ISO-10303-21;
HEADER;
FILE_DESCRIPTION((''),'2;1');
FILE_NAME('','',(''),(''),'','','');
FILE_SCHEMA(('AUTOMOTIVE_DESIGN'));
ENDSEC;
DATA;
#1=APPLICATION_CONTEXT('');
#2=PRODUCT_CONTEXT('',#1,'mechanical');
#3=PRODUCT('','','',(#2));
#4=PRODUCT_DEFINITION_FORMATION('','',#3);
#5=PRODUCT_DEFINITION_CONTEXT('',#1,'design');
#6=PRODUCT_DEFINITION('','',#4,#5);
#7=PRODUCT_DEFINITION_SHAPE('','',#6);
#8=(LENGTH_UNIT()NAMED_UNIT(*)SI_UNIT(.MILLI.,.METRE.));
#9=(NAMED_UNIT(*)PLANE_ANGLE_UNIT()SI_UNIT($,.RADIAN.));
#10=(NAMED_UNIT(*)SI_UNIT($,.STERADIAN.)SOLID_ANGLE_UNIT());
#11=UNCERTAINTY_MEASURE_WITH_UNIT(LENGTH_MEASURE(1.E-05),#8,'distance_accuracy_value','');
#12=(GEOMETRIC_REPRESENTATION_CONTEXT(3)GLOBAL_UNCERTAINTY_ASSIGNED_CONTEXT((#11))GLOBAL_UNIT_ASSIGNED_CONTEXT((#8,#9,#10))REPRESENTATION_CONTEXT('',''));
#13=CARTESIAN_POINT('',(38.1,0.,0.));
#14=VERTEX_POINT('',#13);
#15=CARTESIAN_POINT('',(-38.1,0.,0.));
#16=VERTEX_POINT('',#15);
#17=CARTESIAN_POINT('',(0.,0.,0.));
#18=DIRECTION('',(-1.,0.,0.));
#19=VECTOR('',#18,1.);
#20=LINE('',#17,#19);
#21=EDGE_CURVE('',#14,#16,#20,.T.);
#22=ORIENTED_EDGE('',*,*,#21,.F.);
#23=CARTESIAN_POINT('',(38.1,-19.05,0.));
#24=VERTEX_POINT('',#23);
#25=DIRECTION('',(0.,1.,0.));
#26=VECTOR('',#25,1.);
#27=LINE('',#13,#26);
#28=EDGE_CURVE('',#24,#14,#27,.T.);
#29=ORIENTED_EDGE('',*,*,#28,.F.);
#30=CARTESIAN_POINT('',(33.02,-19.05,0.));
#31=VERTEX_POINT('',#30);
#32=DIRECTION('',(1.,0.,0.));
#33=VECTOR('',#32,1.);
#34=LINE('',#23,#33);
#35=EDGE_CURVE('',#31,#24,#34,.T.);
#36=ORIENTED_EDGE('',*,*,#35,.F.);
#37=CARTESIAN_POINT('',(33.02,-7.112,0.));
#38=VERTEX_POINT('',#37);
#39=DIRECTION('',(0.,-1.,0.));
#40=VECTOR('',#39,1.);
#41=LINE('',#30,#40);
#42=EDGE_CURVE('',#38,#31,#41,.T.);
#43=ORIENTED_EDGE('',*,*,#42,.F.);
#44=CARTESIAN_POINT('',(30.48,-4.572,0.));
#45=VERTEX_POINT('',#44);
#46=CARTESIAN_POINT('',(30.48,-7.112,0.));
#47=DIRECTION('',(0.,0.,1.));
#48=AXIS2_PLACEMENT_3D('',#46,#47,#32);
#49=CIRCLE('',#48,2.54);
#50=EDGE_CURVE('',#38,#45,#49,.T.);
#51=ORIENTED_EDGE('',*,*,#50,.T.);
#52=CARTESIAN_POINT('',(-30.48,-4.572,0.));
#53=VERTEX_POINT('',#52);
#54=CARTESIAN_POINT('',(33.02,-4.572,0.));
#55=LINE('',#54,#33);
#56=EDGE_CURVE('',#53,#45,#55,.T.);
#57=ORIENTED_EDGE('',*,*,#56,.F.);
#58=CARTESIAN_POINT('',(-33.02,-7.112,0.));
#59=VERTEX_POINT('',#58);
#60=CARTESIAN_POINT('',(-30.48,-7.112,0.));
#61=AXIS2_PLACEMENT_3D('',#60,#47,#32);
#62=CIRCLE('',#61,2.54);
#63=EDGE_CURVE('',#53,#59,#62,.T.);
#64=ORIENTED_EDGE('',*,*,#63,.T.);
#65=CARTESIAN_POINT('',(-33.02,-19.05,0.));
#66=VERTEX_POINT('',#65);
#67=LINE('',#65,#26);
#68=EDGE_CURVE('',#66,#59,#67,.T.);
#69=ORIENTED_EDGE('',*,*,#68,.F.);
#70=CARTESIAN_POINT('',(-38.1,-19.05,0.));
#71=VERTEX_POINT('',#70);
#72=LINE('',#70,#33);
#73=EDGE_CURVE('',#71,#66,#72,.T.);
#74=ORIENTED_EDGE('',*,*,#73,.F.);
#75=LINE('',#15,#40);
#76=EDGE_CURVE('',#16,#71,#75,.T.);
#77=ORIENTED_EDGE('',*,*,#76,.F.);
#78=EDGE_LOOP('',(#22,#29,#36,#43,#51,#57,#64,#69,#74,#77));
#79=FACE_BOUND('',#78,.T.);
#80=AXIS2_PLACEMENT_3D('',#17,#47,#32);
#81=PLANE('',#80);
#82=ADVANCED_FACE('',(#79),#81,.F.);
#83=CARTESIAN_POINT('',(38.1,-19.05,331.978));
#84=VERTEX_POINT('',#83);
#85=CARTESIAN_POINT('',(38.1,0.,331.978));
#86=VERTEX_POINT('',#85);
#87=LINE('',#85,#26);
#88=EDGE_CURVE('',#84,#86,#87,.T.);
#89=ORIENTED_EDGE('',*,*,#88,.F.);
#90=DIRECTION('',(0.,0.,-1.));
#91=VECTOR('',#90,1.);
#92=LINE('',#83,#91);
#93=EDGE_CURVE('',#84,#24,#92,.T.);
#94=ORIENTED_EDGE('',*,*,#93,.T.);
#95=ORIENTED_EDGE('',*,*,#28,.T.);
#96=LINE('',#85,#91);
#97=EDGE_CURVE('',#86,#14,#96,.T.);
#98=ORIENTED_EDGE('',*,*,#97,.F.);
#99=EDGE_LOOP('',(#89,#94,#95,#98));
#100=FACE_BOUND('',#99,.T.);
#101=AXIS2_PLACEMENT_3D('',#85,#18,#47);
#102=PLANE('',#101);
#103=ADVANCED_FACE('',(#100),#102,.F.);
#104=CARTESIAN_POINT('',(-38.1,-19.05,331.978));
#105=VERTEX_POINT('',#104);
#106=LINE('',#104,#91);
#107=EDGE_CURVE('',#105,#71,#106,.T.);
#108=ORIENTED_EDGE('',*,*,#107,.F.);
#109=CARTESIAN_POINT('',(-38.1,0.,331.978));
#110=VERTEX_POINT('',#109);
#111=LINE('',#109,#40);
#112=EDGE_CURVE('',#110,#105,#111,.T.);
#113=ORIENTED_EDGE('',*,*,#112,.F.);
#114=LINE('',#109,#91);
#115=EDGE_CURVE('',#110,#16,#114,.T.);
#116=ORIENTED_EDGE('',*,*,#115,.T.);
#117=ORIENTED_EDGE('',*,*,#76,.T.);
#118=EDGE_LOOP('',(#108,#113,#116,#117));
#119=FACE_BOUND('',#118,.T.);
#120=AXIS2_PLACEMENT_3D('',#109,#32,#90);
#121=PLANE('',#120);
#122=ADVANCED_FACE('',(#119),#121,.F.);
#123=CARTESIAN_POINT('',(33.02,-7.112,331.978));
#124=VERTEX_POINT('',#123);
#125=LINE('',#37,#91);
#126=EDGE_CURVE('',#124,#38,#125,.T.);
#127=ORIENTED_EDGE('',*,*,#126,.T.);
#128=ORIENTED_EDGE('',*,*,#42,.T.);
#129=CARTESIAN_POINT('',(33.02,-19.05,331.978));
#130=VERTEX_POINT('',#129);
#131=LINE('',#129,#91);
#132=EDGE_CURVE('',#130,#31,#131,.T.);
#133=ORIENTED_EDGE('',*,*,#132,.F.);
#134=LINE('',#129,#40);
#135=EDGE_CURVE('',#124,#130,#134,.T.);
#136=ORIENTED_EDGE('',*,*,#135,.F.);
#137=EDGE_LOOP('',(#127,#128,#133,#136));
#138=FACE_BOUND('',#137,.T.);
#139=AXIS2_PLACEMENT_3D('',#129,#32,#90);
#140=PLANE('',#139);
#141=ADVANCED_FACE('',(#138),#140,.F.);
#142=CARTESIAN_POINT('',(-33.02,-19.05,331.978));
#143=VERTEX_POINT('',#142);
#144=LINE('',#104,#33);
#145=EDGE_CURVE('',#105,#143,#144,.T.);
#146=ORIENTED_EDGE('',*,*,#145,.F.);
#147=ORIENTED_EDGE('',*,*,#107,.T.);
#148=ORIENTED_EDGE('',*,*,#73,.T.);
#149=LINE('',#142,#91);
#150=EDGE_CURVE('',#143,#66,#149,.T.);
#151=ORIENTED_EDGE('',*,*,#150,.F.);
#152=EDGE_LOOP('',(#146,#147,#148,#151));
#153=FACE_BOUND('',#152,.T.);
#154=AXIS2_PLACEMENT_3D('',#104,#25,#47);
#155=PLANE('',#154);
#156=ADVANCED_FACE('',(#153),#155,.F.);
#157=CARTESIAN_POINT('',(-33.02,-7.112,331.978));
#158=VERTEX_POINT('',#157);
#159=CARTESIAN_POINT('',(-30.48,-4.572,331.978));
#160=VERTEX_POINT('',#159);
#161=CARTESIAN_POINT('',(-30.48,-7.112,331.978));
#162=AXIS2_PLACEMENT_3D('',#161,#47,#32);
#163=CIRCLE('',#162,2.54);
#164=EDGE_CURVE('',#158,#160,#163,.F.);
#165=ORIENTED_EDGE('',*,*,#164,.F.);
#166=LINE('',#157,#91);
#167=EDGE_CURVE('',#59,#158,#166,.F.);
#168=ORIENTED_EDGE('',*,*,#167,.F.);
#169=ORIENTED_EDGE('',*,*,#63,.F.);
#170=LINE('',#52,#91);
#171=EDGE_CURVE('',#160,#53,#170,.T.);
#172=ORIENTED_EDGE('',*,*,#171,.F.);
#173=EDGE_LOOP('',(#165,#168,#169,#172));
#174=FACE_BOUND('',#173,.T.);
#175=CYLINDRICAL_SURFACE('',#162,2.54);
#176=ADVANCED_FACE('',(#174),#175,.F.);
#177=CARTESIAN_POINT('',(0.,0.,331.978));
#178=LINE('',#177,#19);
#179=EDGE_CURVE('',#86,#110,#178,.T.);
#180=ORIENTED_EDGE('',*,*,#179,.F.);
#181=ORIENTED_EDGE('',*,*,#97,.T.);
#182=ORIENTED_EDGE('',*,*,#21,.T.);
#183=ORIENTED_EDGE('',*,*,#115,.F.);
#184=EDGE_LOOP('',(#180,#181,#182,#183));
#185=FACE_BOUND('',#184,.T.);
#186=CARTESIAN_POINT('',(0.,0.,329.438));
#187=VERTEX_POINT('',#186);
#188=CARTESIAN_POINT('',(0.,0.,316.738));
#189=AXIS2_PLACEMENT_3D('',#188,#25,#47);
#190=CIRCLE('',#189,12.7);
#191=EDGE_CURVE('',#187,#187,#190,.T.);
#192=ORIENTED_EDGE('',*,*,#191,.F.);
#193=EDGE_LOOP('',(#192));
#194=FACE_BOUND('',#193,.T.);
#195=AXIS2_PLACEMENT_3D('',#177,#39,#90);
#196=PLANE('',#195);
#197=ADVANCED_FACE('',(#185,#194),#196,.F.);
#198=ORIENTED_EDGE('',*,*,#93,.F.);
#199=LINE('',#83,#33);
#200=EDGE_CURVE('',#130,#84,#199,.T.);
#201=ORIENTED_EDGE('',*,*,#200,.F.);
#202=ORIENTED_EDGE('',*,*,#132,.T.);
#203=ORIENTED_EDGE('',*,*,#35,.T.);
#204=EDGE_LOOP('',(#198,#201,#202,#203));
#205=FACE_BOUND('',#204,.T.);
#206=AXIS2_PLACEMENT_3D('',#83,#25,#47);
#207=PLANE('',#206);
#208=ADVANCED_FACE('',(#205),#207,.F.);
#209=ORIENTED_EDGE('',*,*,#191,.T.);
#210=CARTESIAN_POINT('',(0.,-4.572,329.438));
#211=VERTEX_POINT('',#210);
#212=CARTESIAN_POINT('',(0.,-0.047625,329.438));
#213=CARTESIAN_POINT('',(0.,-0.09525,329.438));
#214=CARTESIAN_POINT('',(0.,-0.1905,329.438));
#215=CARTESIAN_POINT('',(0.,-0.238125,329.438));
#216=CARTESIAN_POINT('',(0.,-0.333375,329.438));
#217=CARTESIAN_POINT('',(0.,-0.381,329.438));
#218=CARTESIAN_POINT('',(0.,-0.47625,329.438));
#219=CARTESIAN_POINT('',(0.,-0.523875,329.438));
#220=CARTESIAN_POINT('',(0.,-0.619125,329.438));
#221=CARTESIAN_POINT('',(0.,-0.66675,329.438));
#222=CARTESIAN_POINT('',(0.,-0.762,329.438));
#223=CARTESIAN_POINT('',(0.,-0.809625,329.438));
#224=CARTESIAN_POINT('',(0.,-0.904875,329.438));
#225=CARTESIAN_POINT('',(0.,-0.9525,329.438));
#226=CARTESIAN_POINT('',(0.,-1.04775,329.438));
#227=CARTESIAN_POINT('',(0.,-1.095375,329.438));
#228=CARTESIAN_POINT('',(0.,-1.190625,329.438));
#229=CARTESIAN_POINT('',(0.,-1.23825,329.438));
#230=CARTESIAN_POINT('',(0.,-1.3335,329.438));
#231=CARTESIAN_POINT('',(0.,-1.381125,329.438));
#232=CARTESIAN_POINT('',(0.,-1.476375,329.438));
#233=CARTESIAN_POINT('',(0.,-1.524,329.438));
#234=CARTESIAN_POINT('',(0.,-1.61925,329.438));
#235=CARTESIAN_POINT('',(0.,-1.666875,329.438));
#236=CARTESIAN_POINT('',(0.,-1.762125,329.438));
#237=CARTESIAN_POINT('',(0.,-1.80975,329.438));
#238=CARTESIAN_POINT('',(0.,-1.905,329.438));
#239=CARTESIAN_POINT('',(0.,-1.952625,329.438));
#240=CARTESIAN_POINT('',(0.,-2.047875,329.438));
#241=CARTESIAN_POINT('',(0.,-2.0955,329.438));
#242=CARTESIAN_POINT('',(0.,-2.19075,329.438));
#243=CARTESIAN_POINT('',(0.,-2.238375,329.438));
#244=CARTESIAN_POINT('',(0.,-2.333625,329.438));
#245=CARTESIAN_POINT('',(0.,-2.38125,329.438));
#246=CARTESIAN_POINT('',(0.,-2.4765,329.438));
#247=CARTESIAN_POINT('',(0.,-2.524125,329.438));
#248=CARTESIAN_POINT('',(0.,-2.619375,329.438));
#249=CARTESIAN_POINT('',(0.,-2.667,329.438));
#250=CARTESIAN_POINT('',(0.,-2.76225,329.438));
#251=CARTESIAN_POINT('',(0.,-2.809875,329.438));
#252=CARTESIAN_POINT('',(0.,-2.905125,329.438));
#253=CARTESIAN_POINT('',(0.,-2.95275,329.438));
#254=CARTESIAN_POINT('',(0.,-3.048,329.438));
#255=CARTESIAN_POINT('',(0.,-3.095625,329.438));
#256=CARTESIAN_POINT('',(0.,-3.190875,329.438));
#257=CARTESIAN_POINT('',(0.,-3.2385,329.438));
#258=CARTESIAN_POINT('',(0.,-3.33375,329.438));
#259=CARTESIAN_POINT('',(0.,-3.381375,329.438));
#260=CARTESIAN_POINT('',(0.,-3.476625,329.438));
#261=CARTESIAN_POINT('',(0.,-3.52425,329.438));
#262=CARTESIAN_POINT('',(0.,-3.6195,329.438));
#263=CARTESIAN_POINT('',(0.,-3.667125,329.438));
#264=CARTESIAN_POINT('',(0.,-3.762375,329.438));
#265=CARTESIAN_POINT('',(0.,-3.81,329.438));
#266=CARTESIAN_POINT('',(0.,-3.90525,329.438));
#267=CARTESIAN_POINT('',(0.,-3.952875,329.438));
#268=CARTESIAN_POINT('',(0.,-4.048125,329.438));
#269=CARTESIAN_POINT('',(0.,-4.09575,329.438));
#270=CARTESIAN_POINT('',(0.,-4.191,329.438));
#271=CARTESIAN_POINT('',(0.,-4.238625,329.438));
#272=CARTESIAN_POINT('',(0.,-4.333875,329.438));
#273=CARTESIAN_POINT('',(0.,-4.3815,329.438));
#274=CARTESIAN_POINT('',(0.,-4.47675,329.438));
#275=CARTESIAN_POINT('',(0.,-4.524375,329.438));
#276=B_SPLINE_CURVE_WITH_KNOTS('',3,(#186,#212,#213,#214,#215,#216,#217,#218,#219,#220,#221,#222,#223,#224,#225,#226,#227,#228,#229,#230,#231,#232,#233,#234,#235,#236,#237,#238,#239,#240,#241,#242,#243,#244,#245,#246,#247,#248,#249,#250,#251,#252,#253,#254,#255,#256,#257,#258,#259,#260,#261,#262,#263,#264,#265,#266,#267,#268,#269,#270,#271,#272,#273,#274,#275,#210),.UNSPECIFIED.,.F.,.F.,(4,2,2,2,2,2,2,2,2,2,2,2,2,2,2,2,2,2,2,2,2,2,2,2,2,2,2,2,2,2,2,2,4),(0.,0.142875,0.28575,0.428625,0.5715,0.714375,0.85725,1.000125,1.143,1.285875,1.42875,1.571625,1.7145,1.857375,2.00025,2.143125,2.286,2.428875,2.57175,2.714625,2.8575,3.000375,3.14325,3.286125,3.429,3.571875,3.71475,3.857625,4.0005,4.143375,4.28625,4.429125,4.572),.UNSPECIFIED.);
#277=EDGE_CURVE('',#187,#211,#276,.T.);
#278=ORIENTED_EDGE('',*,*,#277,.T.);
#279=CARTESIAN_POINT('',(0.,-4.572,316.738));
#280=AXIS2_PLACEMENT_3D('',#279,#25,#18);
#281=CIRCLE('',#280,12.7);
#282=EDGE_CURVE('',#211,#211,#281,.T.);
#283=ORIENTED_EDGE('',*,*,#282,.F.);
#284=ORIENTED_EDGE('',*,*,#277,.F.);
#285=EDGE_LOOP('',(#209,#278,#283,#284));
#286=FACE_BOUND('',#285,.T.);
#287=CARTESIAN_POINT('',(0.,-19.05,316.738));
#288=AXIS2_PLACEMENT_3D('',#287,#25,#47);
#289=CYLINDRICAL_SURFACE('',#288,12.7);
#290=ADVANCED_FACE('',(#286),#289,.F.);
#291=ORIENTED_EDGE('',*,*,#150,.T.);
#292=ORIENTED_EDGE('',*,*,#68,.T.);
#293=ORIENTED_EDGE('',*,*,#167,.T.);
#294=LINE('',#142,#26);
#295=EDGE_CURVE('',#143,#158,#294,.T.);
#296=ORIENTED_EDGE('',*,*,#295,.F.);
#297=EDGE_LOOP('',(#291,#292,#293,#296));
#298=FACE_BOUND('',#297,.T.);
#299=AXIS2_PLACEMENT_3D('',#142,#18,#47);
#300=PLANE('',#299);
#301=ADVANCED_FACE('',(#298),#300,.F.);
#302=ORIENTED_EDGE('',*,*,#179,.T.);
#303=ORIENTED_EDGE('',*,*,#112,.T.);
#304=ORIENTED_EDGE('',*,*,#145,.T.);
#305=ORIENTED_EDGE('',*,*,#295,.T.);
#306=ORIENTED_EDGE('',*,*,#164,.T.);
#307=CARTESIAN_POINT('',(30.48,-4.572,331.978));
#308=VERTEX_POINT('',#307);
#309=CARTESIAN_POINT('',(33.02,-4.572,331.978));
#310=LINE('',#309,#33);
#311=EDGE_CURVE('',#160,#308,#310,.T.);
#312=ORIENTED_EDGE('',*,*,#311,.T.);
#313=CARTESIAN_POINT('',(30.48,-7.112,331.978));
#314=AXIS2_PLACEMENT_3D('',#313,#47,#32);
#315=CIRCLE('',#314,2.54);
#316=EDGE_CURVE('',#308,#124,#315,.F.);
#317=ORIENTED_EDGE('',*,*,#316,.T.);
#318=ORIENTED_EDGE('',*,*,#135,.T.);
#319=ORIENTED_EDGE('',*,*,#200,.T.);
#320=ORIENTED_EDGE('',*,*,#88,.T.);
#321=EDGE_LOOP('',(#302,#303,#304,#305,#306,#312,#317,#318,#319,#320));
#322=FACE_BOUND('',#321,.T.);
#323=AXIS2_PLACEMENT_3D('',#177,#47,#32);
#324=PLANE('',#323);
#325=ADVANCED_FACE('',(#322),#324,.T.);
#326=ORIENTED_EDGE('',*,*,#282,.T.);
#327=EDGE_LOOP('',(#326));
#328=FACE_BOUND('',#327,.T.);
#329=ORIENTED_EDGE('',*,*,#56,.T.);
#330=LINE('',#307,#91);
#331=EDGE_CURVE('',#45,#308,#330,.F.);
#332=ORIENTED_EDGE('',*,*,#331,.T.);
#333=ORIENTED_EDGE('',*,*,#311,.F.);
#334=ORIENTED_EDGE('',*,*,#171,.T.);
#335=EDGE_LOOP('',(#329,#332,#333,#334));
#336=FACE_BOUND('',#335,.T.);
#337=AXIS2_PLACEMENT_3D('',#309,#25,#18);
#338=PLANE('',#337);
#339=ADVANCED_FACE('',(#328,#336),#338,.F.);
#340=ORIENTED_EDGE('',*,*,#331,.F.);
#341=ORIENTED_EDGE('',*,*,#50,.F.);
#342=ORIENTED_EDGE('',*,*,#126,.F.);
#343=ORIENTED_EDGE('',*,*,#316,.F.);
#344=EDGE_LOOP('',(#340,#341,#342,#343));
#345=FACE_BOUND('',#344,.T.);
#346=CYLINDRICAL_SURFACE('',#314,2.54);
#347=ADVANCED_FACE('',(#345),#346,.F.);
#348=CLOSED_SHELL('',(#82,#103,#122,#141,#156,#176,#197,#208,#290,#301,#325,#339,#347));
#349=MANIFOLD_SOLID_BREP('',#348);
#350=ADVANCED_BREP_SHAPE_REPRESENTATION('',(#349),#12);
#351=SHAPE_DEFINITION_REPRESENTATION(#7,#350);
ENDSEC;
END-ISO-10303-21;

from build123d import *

# Parameters (mm, degrees)
BOSS_EXTRUDE1_DEPTH = 331.978
FILLET1_R           = 2.54
FILLET2_R           = 2.54
SKETCH2_R           = 12.7
CUT_EXTRUDE1_DEPTH  = 335.699723609


with BuildPart() as part:
    # Sketch1 → Boss-Extrude1 (new body)
    with BuildSketch(Plane.XY):
        Polygon((0, 0), (38.1, 0), (38.1, -19.05), (33.02, -19.05), (33.02, -4.572), (-33.02, -4.572), (-33.02, -19.05), (-38.1, -19.05), (-38.1, 0), align=None)
    extrude(amount=BOSS_EXTRUDE1_DEPTH)

    # Fillet1
    fillet1_edges = [part.edges().sort_by_distance(p)[0] for p in [
        (-33.02, -4.572, 165.989),
    ]]
    fillet(fillet1_edges, radius=FILLET1_R)

    # Fillet2
    fillet2_edges = [part.edges().sort_by_distance(p)[0] for p in [
        (33.02, -4.572, 165.989),
    ]]
    fillet(fillet2_edges, radius=FILLET2_R)

    # Sketch2 → Cut-Extrude1 (cut, through all)
    with BuildSketch(Plane(origin=(0, 0, 0), x_dir=(1, 0, 0), z_dir=(0, 1, 0))):
        with Locations(Location((0, -316.738, 0), (0, 0, 270))):
            Circle(SKETCH2_R)
    extrude(amount=-CUT_EXTRUDE1_DEPTH, mode=Mode.SUBTRACT)


solid = part.part
